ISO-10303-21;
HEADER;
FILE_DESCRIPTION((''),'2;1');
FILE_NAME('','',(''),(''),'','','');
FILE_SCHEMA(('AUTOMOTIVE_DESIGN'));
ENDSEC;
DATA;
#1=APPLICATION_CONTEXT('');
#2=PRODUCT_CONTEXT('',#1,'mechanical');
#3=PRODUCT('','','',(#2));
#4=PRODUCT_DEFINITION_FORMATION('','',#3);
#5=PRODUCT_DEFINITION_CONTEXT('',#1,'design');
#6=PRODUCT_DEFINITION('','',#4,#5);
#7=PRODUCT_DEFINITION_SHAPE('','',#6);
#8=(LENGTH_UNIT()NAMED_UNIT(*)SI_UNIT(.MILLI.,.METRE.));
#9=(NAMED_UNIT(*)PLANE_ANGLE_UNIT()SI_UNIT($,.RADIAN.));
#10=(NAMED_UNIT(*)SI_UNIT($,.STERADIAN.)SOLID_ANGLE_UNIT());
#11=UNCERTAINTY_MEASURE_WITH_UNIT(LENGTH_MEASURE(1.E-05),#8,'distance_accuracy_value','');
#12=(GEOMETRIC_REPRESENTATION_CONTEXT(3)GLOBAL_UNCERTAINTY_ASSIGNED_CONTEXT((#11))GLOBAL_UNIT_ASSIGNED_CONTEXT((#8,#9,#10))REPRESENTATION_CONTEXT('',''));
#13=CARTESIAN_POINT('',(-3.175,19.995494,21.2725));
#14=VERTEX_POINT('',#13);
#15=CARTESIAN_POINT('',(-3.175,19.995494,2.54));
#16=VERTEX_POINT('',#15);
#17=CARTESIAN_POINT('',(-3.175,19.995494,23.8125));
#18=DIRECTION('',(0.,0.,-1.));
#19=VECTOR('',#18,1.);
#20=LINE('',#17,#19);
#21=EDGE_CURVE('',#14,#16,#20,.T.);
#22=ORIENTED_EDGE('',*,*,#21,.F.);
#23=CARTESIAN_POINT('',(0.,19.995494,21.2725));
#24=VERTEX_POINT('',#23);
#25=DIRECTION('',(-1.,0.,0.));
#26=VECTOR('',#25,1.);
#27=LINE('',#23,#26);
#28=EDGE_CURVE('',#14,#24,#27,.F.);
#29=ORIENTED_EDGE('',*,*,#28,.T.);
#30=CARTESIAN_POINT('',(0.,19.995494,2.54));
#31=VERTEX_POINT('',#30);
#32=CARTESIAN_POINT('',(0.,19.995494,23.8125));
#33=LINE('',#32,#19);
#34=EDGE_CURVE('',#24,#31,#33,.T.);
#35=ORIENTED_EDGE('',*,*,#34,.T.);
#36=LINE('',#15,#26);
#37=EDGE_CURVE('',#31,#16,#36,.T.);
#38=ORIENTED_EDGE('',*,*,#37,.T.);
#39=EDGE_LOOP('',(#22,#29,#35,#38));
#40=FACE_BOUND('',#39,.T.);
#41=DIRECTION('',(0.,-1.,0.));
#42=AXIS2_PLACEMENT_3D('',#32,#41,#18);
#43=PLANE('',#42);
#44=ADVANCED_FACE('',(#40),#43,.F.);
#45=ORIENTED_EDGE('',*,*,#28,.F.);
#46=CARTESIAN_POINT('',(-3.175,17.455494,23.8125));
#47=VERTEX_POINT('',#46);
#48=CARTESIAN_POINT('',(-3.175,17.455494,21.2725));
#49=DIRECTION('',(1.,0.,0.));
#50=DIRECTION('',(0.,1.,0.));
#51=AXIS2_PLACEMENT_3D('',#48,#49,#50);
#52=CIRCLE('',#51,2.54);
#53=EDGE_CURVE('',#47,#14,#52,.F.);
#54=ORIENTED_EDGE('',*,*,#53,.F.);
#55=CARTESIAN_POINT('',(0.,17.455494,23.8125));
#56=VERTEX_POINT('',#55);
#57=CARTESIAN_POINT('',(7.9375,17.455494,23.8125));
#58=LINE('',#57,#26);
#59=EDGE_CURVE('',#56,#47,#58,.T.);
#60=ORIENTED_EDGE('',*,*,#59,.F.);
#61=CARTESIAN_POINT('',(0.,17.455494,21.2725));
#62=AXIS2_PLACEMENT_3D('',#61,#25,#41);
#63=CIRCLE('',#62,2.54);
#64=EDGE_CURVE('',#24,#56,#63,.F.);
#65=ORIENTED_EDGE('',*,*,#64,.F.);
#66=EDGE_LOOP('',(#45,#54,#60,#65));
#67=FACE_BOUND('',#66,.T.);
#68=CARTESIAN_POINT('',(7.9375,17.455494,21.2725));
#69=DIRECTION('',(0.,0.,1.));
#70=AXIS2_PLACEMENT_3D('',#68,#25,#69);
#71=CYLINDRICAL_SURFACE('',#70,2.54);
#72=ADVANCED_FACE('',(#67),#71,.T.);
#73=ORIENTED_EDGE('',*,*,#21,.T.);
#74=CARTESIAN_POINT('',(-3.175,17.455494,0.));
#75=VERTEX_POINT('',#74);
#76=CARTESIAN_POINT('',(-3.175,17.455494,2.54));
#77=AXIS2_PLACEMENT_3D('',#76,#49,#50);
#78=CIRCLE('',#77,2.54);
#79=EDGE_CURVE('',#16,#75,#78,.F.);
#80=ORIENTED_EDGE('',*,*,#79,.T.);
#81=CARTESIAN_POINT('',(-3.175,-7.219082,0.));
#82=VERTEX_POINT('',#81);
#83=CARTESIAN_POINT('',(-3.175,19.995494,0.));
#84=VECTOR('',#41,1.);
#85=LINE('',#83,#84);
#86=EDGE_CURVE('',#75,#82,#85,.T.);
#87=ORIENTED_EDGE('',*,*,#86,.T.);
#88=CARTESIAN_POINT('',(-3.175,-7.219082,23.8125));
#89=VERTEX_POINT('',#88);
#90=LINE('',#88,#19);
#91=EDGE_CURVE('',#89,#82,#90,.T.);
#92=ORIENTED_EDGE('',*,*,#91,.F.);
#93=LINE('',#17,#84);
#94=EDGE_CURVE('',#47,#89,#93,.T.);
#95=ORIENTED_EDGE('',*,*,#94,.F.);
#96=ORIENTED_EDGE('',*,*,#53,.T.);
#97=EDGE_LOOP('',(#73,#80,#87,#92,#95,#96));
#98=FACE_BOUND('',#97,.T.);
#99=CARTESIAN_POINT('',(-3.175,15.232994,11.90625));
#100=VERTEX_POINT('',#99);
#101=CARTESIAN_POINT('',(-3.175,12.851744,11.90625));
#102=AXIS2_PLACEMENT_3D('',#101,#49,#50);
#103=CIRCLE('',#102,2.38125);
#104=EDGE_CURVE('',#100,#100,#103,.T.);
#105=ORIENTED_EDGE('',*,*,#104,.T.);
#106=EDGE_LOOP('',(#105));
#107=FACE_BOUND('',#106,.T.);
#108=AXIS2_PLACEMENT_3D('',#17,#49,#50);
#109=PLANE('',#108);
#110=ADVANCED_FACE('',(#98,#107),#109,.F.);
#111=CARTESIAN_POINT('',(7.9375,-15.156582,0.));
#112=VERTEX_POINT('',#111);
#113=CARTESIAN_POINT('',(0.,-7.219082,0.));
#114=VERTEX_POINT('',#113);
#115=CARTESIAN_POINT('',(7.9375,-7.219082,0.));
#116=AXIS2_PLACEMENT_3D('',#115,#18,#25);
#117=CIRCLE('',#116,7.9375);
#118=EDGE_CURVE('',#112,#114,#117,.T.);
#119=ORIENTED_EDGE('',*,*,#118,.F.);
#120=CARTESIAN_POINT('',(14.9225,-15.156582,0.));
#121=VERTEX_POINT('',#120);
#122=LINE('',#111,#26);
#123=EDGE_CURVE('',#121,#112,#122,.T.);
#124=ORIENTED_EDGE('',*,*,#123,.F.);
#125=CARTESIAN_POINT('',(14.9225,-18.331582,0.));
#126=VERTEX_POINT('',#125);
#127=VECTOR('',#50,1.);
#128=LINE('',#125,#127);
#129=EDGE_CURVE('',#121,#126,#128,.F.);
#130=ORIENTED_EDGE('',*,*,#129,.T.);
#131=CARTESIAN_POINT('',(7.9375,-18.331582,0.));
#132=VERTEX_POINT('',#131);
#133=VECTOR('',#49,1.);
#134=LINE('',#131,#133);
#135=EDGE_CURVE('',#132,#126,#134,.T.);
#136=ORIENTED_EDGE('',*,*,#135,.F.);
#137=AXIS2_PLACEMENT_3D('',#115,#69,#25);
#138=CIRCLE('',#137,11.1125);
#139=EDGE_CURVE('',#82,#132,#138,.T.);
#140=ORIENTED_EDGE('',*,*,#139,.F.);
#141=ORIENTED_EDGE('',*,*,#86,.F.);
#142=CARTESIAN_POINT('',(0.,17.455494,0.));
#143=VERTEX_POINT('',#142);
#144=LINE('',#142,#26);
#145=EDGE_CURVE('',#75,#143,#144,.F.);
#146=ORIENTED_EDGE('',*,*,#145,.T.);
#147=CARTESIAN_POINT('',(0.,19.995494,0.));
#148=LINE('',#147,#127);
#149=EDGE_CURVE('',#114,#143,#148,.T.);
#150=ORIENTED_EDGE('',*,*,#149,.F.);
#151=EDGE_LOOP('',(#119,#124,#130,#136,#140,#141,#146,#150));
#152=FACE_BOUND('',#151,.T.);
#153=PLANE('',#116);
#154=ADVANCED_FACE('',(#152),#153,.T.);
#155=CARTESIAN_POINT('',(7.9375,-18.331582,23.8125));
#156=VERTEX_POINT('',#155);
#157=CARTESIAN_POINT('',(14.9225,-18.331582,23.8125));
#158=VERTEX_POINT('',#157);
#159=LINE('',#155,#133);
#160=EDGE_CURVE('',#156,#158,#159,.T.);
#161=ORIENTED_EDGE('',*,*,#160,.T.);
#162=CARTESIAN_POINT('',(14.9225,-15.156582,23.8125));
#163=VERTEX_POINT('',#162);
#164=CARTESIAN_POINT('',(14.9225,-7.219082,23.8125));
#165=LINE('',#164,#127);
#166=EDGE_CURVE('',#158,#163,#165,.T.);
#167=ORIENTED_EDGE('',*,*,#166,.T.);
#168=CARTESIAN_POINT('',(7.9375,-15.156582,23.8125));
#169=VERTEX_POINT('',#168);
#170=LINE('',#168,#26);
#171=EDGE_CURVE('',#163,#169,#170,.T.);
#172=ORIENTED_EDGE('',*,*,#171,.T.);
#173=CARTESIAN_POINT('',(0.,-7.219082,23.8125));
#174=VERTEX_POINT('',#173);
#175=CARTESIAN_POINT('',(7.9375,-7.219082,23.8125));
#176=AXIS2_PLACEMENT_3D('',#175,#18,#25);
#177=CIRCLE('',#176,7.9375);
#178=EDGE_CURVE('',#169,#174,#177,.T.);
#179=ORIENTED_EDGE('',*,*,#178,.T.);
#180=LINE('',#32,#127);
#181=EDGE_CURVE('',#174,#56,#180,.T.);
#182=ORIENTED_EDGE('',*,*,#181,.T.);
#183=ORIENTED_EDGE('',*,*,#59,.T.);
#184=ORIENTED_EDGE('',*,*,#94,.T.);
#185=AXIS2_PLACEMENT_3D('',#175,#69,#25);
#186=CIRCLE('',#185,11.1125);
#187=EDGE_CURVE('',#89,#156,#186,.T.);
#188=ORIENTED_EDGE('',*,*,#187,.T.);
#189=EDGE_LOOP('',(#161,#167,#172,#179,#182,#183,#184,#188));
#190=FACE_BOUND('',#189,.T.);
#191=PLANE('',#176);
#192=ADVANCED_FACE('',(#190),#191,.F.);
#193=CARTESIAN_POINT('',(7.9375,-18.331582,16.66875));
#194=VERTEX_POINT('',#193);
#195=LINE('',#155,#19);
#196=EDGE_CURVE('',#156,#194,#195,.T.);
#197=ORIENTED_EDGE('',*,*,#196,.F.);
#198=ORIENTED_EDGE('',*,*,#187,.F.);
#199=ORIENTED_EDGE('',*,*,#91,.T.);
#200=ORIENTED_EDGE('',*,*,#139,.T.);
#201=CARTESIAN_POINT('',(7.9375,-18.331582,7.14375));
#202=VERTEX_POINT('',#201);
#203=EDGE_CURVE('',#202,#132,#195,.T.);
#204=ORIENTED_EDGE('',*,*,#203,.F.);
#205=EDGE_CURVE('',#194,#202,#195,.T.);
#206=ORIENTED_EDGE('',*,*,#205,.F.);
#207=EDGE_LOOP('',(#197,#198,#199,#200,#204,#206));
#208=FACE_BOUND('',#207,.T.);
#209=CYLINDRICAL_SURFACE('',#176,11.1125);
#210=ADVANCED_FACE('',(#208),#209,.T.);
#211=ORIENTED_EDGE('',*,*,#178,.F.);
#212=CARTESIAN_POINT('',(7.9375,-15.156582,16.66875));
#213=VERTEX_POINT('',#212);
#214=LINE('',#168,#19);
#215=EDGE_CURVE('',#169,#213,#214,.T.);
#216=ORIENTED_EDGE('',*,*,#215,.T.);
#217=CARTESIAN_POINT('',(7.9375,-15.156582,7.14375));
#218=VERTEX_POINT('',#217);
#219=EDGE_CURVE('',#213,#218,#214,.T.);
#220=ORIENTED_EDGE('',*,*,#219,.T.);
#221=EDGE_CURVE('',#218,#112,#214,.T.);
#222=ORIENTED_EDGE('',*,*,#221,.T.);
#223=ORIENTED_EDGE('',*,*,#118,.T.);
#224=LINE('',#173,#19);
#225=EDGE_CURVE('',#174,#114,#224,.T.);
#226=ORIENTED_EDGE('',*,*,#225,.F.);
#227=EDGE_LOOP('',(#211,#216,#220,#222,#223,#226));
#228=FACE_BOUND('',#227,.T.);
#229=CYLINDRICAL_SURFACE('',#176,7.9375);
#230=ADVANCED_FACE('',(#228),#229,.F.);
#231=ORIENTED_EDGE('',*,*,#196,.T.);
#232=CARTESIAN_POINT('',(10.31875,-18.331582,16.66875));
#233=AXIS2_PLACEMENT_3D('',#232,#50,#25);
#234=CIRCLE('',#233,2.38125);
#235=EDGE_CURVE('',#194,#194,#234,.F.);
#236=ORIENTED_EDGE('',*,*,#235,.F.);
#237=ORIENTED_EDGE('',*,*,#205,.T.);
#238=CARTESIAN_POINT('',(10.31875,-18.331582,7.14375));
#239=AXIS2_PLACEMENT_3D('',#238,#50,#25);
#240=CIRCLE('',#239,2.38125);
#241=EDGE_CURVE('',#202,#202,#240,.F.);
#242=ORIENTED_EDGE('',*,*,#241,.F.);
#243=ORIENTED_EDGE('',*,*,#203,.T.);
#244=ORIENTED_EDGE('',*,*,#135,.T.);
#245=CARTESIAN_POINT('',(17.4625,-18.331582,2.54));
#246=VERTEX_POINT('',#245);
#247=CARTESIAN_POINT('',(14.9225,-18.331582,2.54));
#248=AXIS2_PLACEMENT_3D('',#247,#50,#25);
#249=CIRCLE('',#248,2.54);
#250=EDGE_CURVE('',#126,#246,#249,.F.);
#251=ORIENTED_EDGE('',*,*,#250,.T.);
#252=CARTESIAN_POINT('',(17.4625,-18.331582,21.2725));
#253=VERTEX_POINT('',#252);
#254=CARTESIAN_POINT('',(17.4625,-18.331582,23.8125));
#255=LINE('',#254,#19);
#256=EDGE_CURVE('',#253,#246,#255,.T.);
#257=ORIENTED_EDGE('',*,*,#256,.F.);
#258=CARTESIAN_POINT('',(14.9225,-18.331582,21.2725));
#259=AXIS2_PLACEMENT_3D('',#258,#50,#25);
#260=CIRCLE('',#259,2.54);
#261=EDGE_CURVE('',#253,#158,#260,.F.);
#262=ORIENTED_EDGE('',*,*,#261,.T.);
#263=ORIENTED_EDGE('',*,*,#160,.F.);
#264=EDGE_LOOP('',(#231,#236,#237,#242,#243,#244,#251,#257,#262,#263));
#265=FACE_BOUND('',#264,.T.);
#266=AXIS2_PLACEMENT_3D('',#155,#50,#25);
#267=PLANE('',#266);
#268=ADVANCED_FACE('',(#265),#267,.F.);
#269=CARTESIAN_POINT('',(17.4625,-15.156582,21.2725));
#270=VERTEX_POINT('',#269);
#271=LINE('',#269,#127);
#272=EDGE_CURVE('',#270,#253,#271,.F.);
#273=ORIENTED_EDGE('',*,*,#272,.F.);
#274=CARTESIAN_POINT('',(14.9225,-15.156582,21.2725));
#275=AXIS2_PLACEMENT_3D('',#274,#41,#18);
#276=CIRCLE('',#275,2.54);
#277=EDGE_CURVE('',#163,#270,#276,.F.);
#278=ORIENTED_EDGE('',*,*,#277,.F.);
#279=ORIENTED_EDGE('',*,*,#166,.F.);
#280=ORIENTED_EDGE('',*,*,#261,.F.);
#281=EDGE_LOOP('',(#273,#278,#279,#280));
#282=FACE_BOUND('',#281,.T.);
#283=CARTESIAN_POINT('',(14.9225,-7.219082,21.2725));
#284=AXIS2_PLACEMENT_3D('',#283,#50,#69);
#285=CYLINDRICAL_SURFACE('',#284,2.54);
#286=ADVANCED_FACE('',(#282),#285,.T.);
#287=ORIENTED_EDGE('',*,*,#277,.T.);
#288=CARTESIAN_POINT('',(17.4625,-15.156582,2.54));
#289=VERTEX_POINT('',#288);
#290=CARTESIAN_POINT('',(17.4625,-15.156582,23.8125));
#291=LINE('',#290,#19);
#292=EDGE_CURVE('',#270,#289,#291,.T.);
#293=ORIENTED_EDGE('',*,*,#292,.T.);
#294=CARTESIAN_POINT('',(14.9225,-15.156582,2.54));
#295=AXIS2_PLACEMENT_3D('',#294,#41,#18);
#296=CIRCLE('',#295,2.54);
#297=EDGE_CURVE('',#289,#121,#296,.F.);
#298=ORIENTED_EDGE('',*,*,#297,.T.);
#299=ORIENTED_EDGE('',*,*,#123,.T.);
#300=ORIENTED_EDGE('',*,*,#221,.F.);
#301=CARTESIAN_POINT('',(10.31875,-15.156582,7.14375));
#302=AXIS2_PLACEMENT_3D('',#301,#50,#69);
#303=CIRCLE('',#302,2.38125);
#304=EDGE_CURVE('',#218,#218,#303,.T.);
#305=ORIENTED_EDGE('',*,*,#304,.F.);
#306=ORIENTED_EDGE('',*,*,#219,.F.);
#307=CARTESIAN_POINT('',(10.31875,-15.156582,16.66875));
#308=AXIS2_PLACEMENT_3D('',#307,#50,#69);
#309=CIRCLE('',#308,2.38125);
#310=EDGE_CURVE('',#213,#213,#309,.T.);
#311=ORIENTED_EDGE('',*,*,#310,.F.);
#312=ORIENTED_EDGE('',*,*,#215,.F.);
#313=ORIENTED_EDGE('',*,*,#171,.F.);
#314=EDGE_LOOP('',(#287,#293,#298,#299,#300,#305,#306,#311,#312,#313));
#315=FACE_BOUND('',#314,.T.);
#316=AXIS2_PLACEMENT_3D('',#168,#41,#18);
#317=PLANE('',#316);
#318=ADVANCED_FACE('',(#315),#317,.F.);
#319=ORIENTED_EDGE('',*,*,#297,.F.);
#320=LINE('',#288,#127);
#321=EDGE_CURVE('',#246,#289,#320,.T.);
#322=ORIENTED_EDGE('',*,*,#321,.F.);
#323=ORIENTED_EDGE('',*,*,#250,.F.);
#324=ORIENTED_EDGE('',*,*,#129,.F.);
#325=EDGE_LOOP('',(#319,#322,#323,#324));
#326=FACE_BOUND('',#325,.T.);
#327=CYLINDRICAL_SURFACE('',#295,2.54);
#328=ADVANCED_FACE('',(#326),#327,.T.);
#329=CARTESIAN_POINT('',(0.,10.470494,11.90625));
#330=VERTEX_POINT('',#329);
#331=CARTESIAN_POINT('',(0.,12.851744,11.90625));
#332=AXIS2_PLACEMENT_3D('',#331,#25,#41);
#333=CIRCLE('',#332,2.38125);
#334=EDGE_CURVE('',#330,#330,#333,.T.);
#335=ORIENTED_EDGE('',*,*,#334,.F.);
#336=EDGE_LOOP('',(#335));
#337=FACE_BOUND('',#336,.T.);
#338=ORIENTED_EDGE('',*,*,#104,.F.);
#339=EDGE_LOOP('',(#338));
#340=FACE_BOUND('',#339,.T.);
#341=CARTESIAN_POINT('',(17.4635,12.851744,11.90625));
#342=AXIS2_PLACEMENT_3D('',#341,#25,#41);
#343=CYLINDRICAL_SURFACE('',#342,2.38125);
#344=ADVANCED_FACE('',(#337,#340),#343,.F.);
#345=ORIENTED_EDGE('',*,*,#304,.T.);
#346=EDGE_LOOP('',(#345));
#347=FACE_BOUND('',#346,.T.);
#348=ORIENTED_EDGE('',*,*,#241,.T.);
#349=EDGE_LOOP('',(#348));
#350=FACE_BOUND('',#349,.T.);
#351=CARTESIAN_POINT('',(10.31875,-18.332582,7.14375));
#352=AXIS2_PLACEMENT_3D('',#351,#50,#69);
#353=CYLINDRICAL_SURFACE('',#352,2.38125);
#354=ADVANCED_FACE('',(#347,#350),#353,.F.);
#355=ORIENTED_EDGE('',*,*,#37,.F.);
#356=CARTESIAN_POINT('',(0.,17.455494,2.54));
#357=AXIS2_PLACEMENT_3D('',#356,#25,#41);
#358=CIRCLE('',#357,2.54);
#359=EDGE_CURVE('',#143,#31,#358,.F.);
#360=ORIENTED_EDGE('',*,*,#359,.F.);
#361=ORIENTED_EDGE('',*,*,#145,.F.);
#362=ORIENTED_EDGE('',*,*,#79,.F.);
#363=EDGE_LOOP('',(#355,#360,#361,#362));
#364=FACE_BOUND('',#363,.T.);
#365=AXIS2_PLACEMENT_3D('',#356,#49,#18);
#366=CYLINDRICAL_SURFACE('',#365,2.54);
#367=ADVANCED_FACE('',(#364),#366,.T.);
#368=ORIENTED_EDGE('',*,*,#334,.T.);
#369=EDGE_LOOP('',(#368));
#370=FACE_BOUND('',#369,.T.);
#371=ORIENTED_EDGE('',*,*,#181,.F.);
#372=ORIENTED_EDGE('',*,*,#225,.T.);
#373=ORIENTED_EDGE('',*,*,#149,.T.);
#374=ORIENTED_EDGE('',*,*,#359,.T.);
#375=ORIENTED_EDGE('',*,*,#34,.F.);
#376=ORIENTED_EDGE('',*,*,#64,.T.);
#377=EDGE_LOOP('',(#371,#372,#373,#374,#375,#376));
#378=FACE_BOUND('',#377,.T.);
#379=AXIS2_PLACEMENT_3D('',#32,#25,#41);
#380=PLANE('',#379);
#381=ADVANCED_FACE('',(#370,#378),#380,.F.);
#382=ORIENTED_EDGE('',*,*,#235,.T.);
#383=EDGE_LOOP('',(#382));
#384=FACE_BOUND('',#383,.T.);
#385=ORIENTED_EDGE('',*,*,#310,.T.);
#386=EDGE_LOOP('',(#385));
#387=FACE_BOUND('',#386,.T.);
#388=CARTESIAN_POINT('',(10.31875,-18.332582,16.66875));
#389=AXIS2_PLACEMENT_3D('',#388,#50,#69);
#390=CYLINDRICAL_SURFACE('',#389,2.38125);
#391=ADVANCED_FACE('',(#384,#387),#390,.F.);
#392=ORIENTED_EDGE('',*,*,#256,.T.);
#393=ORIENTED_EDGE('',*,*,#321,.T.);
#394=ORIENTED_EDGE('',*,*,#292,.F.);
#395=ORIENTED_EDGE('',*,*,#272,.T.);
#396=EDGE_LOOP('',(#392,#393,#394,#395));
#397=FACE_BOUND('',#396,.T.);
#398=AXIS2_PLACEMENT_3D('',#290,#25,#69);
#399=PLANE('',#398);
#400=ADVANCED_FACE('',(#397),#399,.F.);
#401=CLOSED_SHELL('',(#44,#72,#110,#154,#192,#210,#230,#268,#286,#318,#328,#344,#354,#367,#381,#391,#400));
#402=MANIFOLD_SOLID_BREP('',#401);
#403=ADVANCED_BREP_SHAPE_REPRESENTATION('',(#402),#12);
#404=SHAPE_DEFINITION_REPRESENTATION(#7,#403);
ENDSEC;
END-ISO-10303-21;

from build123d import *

# Parameters (mm, degrees)
BOSS_EXTRUDE1_DEPTH = 23.8125
SKETCH5_R           = 2.38125
CUT_EXTRUDE2_DEPTH  = 3.175
CUT_EXTRUDE3_REACH  = 47.909
SKETCH8_R           = 2.38125
FILLET1_R           = 2.54


with BuildPart() as part:
    # Sketch1 → Boss-Extrude1 (new body)
    with BuildSketch(Plane.XY):
        with BuildLine():
            Line((0, 19.99549417), (0, -7.21908183))
            ThreePointArc((0, -7.21908183), (2.324839924, -12.831741905), (7.9375, -15.15658183))
            Line((7.9375, -15.15658183), (17.4625, -15.15658183))
            Line((17.4625, -15.15658183), (17.4625, -18.33158183))
            Line((17.4625, -18.33158183), (7.9375, -18.33158183))
            ThreePointArc((7.9375, -18.33158183), (0.079775894, -15.076805936), (-3.175, -7.21908183))
            Line((-3.175, -7.21908183), (-3.175, 19.99549417))
            Line((-3.175, 19.99549417), (0, 19.99549417))
        make_face()
    extrude(amount=BOSS_EXTRUDE1_DEPTH)

    # Sketch5 → Cut-Extrude2 (cut)
    with BuildSketch(Plane.ZY.offset(3.175)):
        with Locations(Location((11.90625, 12.85174417, 0), (0, 0, 270))):
            Circle(SKETCH5_R)
    extrude(amount=-CUT_EXTRUDE2_DEPTH, mode=Mode.SUBTRACT)

    # Sketch8 → Cut-Extrude3 (cut, up to next)
    with BuildSketch(Plane(origin=(0, -15.15658183, 0), x_dir=(1, 0, 0), z_dir=(0, 1, 0)), mode=Mode.PRIVATE) as cut_extrude3_sk1:
        with Locations(Location((10.31875, -7.14375, 0), (0, 0, 180))):
            Circle(SKETCH8_R)
    cut_extrude3_tool1 = extrude(cut_extrude3_sk1.sketch, amount=-CUT_EXTRUDE3_REACH, mode=Mode.PRIVATE) & part.part
    # Sketch8 → Cut-Extrude3 (cut, up to next)
    with BuildSketch(Plane(origin=(0, -15.15658183, 0), x_dir=(1, 0, 0), z_dir=(0, 1, 0)), mode=Mode.PRIVATE) as cut_extrude3_sk2:
        with Locations(Location((10.31875, -16.66875, 0), (0, 0, 180))):
            Circle(SKETCH8_R)
    cut_extrude3_tool2 = extrude(cut_extrude3_sk2.sketch, amount=-CUT_EXTRUDE3_REACH, mode=Mode.PRIVATE) & part.part
    add(cut_extrude3_tool1.solids().sort_by_distance((10.31875, -15.156582, 7.14375))[0], mode=Mode.SUBTRACT)
    add(cut_extrude3_tool2.solids().sort_by_distance((10.31875, -15.156582, 16.66875))[0], mode=Mode.SUBTRACT)

    # Fillet1
    fillet1_edges = [part.edges().sort_by_distance(p)[0] for p in [
        (-1.5875, 19.99549417, 0),
        (17.4625, -16.74408183, 23.8125),
        (-1.5875, 19.99549417, 23.8125),
        (17.4625, -16.74408183, 0),
    ]]
    fillet(fillet1_edges, radius=FILLET1_R)


solid = part.part
